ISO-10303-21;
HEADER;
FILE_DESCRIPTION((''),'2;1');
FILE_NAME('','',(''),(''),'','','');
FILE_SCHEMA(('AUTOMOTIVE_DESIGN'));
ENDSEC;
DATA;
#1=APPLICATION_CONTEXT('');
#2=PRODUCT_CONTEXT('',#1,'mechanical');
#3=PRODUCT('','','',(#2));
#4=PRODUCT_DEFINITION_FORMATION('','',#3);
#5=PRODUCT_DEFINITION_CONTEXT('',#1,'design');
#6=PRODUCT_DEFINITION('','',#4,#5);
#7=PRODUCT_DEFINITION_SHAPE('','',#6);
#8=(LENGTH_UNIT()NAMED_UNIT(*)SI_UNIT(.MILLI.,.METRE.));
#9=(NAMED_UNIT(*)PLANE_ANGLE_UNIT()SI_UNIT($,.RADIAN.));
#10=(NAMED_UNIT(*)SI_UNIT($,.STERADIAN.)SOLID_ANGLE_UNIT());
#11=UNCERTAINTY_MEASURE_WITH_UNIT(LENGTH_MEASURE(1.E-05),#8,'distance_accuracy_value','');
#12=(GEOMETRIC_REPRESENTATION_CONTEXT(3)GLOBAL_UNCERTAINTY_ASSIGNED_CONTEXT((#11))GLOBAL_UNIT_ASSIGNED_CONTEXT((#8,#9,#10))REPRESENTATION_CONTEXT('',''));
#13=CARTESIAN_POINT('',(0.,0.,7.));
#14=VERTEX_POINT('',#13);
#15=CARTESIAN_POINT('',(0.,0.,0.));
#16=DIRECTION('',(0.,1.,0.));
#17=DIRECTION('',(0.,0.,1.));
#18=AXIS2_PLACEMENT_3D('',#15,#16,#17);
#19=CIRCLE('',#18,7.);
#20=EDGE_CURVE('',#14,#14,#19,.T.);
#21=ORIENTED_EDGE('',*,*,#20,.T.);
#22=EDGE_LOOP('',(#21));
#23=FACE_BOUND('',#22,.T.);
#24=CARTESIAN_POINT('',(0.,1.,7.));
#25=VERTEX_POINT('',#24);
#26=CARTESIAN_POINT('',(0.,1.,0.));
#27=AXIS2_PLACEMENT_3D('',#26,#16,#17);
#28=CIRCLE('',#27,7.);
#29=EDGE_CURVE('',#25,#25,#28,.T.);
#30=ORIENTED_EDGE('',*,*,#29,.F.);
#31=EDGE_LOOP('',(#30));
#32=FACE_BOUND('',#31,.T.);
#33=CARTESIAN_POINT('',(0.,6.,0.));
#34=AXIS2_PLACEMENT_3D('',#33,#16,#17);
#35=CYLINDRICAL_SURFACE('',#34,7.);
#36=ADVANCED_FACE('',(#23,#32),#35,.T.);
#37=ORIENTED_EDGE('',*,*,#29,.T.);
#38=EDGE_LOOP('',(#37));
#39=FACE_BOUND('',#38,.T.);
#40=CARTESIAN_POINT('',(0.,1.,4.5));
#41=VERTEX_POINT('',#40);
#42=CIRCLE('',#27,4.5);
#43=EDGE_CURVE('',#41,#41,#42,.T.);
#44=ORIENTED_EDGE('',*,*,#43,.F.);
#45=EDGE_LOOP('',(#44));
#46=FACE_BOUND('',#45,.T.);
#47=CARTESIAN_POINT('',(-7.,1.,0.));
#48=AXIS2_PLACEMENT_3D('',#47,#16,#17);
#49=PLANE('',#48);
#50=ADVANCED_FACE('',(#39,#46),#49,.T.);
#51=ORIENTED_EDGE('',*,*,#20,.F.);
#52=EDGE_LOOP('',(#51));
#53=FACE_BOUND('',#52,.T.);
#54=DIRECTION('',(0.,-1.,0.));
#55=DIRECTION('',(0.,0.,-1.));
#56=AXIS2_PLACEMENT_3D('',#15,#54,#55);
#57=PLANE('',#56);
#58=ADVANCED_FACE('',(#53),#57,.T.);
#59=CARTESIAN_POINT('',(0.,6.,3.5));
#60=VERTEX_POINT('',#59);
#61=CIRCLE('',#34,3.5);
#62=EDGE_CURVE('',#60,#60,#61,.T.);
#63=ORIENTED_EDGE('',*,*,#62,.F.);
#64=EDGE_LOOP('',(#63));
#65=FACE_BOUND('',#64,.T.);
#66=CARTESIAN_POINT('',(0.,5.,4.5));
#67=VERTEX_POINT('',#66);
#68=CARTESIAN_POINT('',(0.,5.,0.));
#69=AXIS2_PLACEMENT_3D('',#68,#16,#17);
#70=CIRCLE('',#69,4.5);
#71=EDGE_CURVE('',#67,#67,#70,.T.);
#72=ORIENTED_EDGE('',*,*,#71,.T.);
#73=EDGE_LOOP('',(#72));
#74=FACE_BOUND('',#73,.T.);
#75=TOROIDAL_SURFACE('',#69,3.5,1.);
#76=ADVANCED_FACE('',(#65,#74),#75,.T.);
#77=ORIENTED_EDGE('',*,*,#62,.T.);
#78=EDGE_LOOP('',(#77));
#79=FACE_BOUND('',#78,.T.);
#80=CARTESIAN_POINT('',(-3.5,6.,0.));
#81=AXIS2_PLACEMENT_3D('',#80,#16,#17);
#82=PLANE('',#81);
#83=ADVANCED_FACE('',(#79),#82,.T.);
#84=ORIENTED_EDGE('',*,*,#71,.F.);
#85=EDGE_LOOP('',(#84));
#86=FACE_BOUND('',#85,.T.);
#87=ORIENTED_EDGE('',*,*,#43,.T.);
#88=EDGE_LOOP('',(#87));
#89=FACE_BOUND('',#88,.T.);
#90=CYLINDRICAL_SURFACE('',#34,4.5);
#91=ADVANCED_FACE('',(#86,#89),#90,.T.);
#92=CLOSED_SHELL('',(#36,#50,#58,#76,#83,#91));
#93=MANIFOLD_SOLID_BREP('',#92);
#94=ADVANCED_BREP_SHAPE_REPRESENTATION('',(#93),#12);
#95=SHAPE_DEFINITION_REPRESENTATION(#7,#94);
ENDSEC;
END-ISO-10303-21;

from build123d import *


with BuildPart() as part:
    # Sketch1 → Centre Button (revolve)
    with BuildSketch(Plane.XY):
        with BuildLine():
            Line((0, 6), (0, 0))
            Line((0, 0), (-7, 0))
            Line((-7, 0), (-7, 1))
            Line((-7, 1), (-4.5, 1))
            Line((-4.5, 1), (-4.5, 5))
            ThreePointArc((-4.5, 5), (-4.207106781, 5.707106781), (-3.5, 6))
            Line((-3.5, 6), (0, 6))
        make_face()
    revolve(axis=Axis((0, 6, 0), (0, -1, 0)))


solid = part.part
